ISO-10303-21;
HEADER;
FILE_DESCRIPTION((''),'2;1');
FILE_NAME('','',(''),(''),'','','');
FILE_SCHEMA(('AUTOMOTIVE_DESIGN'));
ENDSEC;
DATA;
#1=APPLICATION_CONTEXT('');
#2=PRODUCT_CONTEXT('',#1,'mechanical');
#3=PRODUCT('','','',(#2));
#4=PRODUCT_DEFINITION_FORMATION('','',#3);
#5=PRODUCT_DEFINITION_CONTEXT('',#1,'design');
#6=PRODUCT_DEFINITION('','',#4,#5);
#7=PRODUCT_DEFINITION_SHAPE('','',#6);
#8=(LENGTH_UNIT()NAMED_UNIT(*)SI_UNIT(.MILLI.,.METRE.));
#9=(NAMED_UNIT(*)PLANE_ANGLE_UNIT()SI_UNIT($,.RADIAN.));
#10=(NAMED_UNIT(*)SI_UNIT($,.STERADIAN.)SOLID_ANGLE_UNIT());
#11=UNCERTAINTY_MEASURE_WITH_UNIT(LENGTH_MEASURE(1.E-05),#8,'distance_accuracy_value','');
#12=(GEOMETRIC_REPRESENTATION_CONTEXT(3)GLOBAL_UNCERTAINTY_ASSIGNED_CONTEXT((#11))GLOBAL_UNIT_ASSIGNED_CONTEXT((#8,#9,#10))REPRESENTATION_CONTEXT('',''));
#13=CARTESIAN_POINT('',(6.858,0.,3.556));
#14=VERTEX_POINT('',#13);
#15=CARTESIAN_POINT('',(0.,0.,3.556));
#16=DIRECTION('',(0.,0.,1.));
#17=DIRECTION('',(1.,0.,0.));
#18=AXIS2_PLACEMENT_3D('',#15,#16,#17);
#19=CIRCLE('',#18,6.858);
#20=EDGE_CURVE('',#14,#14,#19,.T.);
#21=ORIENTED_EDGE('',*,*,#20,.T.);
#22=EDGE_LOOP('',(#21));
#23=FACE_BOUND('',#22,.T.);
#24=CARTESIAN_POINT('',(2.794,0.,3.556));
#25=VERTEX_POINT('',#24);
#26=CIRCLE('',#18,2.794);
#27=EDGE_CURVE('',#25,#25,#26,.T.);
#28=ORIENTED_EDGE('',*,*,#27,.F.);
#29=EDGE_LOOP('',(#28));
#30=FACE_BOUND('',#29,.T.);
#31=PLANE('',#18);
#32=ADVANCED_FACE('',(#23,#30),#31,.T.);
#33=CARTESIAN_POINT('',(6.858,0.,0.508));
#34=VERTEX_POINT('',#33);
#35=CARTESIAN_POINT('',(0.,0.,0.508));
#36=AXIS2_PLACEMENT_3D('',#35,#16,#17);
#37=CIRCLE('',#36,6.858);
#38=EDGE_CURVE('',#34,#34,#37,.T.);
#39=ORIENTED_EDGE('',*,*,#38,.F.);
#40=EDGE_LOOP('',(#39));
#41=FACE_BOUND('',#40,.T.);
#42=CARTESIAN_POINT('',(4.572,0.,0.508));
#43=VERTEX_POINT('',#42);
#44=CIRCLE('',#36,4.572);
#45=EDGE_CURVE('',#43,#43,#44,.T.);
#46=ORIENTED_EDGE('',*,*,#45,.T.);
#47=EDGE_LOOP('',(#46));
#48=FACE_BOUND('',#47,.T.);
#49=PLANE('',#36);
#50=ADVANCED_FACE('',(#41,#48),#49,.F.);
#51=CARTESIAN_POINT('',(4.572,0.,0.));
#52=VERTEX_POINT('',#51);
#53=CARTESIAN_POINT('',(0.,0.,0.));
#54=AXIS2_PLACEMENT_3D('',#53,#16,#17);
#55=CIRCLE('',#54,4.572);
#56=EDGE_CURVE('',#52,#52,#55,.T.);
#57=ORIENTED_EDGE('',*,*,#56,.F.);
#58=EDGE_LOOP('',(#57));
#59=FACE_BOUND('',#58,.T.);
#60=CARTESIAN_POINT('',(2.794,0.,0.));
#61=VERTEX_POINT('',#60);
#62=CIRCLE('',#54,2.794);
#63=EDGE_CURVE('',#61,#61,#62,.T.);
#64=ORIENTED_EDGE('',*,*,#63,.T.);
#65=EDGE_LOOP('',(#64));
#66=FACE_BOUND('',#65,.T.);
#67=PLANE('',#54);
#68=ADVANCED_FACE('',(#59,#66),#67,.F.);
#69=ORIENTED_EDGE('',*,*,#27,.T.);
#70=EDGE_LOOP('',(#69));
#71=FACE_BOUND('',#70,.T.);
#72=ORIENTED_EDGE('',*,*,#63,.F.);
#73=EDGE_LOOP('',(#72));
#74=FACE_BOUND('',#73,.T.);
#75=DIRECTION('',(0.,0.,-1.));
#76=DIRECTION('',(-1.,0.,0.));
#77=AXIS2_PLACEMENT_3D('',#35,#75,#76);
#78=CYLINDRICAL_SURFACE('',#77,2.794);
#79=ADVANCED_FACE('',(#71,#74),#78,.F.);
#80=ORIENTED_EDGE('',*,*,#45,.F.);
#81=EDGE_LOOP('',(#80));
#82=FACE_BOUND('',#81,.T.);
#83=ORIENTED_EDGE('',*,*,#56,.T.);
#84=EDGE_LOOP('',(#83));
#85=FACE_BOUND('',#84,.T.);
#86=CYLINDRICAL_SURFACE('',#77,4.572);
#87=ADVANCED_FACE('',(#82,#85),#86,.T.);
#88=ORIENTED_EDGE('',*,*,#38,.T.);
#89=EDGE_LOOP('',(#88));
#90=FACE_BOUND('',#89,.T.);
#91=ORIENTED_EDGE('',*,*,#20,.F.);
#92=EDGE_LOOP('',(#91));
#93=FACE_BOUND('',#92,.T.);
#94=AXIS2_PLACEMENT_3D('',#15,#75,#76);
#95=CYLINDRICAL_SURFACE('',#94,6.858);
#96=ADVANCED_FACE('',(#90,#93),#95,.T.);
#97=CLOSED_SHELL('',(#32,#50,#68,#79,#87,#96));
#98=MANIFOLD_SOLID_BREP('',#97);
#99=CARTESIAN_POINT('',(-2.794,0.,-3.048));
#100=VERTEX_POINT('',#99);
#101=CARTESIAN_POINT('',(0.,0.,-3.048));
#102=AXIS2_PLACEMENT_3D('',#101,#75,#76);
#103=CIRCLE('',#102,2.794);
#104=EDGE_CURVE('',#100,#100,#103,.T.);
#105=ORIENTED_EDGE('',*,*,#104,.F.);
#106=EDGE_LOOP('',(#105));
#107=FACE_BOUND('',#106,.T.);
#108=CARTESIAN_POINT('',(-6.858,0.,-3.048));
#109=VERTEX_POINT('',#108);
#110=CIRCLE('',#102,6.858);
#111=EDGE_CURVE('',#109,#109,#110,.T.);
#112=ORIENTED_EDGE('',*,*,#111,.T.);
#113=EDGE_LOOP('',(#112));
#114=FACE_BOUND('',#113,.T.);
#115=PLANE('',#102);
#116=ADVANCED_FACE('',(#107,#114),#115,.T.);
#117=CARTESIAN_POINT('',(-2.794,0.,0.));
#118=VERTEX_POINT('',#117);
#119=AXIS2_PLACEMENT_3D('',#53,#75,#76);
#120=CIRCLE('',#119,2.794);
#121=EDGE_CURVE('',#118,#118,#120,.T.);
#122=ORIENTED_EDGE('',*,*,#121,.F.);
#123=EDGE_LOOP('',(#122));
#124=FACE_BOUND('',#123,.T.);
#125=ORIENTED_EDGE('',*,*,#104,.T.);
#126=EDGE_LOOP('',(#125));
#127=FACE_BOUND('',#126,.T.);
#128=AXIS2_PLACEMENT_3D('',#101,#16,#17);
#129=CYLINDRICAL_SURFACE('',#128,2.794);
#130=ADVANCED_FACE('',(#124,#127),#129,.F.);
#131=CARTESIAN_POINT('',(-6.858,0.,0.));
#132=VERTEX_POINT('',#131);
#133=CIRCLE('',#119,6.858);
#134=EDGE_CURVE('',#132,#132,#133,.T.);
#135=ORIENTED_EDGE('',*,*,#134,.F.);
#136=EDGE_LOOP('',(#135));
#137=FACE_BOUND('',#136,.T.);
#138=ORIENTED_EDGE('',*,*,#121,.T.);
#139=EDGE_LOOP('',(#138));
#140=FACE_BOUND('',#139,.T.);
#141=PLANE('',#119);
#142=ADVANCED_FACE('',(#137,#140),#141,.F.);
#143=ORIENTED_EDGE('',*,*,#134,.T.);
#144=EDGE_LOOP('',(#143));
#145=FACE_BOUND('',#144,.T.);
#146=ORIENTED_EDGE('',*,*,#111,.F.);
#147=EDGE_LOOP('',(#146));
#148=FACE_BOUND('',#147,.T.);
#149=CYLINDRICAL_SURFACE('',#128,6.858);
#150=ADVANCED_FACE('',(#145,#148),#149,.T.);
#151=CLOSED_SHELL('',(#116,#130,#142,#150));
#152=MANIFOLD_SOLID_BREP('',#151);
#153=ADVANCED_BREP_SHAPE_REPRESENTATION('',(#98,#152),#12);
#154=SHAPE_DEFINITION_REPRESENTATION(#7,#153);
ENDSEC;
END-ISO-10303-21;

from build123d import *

# Parameters (mm, degrees)
SKETCH1_R           = 4.572
SKETCH1_R_2         = 2.794
BOSS_EXTRUDE2_DEPTH = 0.508
SKETCH3_R           = 6.858
SKETCH3_R_2         = 2.794
BOSS_EXTRUDE3_DEPTH = 3.048
SKETCH4_R           = 6.858
SKETCH4_R_2         = 2.794
BOSS_EXTRUDE4_DEPTH = 3.048


with BuildPart() as part:
    # Sketch1 → Boss-Extrude2 (new body)
    with BuildSketch(Plane.XY):
        Circle(SKETCH1_R)
        Circle(SKETCH1_R_2, mode=Mode.SUBTRACT)
    extrude(amount=BOSS_EXTRUDE2_DEPTH)

    # Sketch3 → Boss-Extrude3 (add)
    with BuildSketch(Plane.XY.offset(0.508)):
        Circle(SKETCH3_R)
        Circle(SKETCH3_R_2, mode=Mode.SUBTRACT)
    extrude(amount=BOSS_EXTRUDE3_DEPTH)


with BuildPart() as body_2:
    # Sketch4 → Boss-Extrude4 (new body)
    with BuildSketch(Plane(origin=(0, 0, 0), x_dir=(-1, 0, 0), z_dir=(0, 0, -1))):
        Circle(SKETCH4_R)
        Circle(SKETCH4_R_2, mode=Mode.SUBTRACT)
    extrude(amount=BOSS_EXTRUDE4_DEPTH)


solid = Compound([part.part, body_2.part])
